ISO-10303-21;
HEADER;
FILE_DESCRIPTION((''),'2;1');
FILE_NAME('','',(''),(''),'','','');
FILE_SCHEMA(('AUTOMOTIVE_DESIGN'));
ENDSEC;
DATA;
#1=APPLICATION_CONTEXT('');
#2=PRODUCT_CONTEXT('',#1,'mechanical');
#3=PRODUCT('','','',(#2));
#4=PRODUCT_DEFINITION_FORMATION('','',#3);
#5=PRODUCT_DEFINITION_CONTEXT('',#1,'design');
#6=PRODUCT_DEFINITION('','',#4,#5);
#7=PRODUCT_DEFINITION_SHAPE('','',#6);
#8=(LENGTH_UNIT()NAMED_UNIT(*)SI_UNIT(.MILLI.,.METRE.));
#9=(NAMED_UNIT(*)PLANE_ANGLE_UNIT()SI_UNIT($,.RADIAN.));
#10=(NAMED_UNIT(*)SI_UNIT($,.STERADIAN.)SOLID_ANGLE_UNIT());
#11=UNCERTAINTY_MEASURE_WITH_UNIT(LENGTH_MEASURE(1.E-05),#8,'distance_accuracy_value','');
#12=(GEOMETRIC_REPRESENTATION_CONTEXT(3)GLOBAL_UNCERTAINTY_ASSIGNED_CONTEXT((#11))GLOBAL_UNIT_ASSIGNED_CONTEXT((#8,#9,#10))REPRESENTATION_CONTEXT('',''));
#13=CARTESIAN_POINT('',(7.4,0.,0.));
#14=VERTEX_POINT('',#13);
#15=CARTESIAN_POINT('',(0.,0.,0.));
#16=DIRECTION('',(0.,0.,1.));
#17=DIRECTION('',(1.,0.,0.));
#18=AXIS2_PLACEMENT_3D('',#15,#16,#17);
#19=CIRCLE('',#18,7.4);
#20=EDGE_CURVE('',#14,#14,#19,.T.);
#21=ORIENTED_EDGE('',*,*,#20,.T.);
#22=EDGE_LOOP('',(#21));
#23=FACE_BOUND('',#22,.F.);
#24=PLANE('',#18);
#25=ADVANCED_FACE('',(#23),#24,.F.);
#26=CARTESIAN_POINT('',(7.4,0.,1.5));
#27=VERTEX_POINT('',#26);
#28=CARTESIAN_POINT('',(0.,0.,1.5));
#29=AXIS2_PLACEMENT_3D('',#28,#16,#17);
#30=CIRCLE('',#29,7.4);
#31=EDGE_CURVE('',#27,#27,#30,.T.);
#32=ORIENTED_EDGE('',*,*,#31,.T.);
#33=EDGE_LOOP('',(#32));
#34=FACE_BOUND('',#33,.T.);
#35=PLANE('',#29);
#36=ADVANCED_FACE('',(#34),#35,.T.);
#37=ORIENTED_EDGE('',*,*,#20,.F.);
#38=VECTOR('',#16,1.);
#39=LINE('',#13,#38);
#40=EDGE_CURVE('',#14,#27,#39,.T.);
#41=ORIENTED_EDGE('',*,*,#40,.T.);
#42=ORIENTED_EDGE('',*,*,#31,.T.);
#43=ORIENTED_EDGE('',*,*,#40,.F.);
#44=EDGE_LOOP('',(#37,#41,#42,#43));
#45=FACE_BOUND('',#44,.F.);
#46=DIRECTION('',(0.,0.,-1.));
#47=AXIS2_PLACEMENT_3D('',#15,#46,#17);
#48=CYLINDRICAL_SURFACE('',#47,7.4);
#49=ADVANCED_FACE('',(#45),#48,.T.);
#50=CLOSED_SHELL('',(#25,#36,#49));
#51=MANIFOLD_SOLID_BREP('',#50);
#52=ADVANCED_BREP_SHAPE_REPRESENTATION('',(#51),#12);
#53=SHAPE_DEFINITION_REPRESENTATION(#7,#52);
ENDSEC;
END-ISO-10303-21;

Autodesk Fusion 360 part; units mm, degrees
sketch "Sketch1" plane through (0, 0, 0) normal (0, 0, 1) x (1, 0, 0)
  circle A0 centre (0, 0) radius 7.4
  dimension "d1" = 14.8
extrude "Extrude1" add sketch "Sketch1" along normal blind 1.5
